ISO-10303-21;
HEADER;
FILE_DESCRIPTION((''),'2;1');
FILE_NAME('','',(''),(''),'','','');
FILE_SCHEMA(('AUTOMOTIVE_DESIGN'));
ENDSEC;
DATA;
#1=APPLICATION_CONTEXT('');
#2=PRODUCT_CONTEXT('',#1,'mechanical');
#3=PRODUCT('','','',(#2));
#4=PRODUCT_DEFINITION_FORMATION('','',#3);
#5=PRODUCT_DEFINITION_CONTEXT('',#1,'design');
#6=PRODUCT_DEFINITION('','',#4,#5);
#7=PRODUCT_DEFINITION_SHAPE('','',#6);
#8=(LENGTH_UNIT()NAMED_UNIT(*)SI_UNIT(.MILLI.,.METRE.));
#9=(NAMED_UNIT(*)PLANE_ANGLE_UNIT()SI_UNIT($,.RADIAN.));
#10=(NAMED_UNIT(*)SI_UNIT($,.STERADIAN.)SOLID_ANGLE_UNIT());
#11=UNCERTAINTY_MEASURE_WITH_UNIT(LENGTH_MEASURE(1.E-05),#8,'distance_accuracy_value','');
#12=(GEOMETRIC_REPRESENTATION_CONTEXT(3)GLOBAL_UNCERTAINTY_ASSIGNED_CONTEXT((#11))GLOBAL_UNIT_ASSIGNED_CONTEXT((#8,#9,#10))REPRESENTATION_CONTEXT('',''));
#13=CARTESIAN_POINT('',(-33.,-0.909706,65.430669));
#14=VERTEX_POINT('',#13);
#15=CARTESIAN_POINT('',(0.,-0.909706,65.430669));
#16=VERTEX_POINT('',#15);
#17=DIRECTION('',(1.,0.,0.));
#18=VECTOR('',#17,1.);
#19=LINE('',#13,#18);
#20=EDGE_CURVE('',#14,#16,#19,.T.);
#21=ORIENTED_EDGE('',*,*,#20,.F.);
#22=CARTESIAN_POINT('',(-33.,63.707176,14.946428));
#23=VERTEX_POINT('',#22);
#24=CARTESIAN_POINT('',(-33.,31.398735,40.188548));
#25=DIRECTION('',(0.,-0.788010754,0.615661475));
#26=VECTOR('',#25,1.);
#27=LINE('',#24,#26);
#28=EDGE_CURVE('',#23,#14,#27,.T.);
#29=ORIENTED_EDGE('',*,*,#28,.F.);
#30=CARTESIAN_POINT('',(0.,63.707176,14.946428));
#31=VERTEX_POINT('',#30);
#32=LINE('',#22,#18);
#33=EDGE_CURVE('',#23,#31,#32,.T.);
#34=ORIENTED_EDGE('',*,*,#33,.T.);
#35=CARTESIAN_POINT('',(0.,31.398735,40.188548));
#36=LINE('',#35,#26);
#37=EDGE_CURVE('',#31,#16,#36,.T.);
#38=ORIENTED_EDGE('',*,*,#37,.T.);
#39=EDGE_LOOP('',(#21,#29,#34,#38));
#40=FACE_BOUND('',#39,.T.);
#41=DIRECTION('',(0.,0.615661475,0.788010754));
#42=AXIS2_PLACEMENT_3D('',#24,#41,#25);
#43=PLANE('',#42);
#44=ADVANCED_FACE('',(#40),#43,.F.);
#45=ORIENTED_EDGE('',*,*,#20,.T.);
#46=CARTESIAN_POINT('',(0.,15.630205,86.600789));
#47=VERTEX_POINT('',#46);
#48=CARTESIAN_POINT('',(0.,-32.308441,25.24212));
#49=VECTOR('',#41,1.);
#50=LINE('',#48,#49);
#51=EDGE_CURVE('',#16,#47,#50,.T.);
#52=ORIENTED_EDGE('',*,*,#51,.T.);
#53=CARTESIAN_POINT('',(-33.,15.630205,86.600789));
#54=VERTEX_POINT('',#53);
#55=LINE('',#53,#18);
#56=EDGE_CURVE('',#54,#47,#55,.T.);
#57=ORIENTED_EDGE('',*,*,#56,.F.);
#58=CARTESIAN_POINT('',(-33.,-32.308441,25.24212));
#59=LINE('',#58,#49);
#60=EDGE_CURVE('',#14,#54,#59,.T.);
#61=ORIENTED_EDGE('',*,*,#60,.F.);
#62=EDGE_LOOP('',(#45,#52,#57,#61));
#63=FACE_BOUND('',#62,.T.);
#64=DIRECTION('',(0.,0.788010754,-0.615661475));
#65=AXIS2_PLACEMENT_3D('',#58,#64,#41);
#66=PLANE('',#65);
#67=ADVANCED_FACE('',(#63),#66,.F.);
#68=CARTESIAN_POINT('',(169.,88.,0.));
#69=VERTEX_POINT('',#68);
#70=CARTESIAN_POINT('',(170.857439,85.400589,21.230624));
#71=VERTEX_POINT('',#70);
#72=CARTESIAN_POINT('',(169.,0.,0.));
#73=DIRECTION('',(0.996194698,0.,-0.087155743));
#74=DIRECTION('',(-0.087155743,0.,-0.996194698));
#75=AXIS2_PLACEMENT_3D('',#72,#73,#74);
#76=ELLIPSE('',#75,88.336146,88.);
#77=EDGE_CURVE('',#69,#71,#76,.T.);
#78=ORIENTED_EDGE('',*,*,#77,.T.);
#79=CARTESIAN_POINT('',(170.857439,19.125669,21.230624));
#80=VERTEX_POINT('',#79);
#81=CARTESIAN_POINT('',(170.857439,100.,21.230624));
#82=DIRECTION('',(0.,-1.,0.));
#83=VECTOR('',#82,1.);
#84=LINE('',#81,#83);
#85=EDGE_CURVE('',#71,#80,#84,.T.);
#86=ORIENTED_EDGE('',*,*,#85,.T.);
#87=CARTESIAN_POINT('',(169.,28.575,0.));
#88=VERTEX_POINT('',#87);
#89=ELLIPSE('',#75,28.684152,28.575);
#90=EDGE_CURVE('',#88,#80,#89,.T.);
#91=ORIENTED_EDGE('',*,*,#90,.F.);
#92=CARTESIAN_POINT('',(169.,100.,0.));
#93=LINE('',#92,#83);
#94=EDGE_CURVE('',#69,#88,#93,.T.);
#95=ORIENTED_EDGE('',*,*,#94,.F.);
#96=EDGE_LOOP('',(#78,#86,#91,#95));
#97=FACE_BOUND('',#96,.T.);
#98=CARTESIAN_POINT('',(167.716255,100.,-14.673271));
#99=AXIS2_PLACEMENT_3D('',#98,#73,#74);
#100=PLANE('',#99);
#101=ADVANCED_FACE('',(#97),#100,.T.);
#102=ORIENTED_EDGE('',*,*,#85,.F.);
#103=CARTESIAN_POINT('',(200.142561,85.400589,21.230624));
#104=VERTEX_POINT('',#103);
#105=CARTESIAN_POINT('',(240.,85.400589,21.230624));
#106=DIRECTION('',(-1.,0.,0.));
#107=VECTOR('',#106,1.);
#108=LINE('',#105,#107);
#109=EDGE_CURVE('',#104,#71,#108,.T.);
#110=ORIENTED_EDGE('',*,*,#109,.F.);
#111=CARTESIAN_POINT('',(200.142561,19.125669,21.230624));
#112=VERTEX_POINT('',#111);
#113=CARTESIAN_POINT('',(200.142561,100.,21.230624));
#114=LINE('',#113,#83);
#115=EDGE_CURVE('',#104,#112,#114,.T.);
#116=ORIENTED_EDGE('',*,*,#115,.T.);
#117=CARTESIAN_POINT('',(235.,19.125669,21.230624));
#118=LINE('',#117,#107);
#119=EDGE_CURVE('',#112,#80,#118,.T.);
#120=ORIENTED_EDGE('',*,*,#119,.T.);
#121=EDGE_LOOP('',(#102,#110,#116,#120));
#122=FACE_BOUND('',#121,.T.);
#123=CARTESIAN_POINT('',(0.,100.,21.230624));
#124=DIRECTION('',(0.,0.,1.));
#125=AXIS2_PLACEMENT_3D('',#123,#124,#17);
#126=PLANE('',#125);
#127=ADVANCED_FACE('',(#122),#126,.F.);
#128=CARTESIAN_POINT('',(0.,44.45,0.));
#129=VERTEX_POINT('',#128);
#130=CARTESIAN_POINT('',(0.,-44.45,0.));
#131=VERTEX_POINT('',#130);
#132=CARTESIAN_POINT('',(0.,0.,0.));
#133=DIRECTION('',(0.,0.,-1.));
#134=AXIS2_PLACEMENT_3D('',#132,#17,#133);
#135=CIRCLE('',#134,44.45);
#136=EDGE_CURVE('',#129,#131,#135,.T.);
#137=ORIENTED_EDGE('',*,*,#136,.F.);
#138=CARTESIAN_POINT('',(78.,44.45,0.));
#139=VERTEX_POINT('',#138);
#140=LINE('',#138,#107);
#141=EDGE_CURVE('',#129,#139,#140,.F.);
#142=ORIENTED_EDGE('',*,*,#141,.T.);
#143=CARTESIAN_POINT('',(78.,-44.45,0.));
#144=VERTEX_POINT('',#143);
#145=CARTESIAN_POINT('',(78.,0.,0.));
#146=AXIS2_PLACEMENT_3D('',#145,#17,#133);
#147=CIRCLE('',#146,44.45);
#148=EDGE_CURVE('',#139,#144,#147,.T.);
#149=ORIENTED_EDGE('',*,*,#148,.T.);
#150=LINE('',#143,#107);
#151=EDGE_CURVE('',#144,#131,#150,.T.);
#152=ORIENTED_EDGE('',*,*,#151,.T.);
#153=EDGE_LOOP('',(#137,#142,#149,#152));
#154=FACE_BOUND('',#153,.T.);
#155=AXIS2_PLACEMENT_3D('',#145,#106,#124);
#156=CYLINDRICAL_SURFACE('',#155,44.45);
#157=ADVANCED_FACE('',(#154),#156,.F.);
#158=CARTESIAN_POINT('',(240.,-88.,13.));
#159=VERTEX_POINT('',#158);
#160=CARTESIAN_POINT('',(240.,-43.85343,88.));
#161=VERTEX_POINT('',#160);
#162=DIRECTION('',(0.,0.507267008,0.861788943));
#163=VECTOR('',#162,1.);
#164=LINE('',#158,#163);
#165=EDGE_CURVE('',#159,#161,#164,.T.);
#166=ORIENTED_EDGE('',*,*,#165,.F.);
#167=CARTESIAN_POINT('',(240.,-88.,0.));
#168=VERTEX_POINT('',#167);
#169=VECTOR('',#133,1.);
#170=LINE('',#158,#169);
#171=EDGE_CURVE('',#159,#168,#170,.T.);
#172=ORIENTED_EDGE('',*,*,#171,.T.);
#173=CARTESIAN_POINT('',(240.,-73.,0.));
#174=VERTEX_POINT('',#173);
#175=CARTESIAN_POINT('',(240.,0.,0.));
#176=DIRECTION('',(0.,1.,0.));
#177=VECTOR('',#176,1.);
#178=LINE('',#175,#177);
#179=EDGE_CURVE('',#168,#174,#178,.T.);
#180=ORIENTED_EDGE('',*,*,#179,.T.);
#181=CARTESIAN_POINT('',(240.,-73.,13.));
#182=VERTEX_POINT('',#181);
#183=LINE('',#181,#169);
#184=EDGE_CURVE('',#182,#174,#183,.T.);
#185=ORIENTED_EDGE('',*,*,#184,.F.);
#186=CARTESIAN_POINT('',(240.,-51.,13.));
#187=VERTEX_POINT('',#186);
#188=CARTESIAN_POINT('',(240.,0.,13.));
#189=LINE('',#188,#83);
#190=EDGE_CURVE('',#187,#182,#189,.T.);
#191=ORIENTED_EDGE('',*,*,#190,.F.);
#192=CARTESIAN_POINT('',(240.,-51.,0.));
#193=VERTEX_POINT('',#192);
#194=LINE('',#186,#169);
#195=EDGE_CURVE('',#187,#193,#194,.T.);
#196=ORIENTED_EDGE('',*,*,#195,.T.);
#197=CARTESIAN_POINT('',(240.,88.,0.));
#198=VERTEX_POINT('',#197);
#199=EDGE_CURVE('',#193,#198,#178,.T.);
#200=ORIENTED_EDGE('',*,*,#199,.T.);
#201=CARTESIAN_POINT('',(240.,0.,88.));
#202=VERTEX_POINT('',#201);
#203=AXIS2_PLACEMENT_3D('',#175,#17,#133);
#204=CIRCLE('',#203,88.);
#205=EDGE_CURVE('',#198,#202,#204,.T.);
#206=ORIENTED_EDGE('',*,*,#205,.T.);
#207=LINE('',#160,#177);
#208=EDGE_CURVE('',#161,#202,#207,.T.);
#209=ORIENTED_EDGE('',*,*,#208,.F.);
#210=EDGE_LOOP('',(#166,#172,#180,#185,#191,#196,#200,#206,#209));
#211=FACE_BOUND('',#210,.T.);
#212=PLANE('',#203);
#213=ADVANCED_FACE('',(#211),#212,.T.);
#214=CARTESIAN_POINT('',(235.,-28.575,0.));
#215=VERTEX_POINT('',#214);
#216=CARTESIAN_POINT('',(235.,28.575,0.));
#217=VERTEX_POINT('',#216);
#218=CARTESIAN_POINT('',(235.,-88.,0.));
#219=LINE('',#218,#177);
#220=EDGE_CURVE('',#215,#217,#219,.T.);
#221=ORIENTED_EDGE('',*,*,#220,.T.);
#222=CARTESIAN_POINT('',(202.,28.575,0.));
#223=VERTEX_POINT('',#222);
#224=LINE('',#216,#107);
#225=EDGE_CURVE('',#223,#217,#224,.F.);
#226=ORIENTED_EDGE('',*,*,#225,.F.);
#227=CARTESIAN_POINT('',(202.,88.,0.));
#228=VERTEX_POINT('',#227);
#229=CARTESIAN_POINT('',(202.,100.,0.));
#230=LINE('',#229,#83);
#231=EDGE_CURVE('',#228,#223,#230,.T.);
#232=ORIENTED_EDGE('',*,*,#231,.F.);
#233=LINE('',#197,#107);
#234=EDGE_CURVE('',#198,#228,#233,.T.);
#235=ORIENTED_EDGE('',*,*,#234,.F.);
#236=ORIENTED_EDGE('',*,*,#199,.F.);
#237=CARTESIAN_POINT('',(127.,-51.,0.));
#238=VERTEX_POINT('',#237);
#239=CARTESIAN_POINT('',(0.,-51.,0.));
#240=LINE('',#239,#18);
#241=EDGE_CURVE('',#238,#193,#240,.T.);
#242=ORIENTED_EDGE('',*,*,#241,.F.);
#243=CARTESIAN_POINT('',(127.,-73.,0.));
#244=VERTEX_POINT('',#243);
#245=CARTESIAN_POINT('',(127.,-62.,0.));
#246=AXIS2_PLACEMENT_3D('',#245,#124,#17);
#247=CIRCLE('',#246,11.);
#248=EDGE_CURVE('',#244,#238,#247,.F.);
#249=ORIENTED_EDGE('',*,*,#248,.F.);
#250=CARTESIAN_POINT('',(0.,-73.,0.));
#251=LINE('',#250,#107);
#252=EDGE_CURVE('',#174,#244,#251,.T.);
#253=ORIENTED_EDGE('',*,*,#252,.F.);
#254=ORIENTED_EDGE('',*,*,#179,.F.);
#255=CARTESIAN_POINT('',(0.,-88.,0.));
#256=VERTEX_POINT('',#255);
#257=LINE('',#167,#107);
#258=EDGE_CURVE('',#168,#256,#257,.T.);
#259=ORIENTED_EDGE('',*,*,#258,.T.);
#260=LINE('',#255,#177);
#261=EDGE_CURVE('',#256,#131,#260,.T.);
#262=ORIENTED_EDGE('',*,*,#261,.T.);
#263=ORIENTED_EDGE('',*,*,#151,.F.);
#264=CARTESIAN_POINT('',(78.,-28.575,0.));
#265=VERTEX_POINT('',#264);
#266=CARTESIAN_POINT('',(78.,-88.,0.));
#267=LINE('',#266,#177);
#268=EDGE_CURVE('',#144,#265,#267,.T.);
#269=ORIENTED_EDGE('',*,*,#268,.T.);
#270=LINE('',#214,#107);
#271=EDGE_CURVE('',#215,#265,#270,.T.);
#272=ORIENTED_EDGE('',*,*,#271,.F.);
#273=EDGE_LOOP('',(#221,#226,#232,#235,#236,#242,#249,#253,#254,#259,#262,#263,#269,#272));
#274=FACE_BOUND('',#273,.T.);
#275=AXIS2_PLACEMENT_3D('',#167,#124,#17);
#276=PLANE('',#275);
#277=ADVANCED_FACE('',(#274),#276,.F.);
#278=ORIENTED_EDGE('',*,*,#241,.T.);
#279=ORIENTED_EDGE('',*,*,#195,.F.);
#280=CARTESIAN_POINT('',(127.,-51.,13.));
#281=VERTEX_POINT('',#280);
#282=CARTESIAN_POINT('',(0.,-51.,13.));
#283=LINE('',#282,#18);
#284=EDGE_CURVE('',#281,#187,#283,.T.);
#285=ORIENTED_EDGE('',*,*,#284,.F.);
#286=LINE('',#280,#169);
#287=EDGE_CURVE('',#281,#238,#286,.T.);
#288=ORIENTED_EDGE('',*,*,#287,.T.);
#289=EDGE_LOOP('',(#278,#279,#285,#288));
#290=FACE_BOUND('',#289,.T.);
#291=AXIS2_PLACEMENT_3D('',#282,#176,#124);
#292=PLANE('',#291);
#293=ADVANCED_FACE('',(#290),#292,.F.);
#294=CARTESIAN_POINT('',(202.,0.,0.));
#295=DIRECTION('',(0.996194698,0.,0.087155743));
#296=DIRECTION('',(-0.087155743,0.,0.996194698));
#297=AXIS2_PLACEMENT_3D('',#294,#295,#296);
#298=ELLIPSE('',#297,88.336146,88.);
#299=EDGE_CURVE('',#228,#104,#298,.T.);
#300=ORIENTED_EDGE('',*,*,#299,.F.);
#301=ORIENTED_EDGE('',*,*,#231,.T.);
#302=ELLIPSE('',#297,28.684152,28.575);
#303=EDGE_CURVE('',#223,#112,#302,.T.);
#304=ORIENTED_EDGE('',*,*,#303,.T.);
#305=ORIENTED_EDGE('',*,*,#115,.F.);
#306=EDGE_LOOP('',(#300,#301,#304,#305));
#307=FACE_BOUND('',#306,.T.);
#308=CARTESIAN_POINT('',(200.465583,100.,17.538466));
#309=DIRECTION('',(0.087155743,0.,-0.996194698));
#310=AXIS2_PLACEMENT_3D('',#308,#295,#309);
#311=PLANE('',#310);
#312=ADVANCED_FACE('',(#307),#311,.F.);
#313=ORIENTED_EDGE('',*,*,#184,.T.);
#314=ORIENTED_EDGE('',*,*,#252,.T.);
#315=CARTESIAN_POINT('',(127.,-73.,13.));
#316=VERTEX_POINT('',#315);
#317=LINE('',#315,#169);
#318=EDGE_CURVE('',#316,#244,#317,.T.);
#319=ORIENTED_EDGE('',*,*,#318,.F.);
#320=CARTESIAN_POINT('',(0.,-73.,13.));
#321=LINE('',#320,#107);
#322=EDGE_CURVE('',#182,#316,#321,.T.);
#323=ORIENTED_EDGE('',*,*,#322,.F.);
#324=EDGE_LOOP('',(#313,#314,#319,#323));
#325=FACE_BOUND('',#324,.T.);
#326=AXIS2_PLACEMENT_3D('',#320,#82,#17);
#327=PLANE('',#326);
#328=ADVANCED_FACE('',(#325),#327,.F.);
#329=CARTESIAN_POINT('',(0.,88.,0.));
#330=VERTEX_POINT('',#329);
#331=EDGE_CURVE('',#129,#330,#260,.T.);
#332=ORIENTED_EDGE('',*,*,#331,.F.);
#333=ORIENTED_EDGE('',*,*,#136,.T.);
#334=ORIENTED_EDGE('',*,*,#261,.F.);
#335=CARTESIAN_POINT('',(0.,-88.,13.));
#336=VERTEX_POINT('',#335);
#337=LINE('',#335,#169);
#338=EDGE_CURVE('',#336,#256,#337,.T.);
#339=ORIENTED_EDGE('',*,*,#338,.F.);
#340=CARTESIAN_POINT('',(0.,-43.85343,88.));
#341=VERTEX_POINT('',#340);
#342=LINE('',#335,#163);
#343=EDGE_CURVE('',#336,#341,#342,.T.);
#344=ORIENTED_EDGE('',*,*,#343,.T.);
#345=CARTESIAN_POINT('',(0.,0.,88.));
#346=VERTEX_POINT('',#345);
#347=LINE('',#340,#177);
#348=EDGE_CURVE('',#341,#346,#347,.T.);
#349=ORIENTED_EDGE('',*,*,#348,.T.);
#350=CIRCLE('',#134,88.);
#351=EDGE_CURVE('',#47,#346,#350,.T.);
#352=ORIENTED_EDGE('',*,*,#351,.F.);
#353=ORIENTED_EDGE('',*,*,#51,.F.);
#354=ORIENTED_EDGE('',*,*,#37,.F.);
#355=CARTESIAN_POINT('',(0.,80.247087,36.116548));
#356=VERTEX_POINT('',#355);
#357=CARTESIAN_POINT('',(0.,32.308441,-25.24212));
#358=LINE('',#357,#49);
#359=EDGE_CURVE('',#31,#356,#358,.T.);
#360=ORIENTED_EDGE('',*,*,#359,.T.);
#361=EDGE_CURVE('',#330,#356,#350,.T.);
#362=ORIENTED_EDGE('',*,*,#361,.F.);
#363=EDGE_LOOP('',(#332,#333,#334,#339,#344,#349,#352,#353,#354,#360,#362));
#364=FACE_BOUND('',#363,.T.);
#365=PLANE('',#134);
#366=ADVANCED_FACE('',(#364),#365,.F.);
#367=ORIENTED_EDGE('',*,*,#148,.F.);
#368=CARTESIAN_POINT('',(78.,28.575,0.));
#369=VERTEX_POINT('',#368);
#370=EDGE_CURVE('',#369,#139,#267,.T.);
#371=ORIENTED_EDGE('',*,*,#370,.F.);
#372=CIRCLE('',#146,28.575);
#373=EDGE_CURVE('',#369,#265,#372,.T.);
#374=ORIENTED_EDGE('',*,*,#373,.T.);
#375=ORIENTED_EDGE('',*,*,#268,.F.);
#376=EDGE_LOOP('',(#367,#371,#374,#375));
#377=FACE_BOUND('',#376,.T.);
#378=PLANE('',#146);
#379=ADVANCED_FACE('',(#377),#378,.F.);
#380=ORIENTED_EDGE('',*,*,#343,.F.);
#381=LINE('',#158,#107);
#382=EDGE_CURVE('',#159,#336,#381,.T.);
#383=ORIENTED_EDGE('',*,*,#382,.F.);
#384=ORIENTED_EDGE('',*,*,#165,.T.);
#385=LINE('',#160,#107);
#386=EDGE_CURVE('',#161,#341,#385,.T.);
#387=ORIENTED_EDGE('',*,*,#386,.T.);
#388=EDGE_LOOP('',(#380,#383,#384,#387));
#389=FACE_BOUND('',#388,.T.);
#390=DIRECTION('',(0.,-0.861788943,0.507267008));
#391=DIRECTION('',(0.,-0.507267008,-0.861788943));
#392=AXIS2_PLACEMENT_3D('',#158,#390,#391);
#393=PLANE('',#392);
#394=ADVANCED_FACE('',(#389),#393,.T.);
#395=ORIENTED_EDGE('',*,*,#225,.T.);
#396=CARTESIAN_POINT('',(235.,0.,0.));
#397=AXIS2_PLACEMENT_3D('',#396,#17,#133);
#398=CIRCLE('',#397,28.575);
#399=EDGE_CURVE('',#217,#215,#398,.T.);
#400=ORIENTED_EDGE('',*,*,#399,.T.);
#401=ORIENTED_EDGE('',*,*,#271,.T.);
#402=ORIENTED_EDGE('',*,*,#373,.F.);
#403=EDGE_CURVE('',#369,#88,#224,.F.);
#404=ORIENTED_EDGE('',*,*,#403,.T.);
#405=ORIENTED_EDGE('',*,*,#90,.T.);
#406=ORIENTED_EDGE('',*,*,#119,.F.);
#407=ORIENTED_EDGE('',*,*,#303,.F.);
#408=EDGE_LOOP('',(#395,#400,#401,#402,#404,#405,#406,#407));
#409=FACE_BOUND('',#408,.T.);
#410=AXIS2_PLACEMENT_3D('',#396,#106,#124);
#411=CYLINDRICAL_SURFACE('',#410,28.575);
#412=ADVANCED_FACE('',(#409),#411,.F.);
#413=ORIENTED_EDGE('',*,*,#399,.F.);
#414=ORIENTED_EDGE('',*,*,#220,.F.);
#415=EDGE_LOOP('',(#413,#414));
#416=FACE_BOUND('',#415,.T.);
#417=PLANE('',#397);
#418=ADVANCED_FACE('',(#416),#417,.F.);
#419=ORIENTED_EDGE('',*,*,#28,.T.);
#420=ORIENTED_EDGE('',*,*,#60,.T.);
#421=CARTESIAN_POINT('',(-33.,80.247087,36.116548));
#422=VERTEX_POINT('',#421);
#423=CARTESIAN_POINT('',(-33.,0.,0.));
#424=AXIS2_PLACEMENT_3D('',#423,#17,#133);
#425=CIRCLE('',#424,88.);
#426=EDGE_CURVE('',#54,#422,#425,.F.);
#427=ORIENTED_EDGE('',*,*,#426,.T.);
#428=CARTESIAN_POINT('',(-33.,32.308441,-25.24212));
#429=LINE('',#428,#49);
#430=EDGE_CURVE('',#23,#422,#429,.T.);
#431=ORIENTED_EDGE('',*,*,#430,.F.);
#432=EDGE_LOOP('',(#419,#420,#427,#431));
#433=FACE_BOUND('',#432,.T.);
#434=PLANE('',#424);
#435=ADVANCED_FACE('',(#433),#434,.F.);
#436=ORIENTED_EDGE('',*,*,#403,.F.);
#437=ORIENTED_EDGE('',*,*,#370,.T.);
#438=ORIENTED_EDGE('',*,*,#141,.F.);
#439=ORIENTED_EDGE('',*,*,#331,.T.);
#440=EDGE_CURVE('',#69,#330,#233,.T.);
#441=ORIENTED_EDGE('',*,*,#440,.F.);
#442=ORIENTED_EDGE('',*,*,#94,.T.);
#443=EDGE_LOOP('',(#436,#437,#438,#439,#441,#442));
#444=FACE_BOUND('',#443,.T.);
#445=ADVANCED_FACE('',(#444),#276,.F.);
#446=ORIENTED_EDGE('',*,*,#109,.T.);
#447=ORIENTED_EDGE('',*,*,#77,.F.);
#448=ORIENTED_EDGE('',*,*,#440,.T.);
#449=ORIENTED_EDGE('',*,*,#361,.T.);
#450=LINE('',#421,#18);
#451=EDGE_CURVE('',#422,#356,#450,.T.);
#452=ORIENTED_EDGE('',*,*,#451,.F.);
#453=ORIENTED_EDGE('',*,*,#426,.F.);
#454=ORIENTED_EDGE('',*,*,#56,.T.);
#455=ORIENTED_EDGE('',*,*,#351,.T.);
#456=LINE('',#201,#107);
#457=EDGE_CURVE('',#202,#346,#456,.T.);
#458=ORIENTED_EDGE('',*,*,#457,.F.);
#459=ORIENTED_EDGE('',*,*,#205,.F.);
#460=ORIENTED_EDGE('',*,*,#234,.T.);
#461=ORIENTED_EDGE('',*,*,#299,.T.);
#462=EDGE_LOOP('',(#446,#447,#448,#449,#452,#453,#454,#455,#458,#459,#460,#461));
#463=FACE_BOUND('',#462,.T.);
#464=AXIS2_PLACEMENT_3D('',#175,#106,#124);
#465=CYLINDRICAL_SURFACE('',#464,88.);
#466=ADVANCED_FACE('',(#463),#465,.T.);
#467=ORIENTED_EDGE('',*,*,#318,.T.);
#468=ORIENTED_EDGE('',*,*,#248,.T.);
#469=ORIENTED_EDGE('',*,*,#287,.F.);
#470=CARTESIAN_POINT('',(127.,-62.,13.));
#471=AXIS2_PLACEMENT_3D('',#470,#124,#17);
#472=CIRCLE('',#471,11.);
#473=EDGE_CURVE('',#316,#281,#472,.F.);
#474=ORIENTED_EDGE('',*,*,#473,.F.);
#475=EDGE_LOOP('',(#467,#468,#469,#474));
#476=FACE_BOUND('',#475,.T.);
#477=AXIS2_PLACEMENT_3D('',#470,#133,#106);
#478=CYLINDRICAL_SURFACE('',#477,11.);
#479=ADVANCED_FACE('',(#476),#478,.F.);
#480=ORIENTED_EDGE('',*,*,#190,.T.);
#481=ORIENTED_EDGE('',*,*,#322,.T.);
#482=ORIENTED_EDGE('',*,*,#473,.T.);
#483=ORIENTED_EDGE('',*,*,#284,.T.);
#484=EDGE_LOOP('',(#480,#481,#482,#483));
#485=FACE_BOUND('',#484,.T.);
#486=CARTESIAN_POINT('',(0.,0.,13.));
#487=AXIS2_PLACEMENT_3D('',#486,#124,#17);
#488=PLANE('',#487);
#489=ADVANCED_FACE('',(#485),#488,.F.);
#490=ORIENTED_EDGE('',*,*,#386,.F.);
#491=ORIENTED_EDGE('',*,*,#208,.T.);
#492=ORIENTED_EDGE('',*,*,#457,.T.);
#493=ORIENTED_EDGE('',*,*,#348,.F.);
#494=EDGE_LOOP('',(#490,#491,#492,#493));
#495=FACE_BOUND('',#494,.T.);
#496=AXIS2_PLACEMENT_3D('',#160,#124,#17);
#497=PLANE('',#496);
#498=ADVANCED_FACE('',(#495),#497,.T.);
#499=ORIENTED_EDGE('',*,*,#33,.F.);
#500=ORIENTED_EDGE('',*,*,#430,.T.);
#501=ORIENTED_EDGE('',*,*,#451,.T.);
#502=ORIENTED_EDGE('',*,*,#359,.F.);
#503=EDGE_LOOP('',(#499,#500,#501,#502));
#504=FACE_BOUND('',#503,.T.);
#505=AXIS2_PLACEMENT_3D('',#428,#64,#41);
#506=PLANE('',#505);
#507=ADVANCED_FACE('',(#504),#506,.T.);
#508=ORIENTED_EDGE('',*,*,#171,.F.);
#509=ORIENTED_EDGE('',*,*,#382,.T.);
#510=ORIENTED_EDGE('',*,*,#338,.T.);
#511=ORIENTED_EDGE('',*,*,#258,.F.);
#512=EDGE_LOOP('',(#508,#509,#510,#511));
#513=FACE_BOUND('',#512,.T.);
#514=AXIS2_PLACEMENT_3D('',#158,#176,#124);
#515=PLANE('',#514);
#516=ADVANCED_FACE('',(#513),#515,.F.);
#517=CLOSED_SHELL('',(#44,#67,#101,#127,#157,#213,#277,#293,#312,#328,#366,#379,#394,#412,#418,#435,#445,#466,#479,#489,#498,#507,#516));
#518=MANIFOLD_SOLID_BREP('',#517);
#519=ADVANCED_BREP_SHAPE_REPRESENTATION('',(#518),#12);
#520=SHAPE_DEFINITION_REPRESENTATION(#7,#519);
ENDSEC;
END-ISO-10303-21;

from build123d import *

# Parameters (mm, degrees)
BOSS_EXTRU_1_DEPTH      = 240
ESQUISSE2_R             = 28.575
ENL_V_MAT_EXTRU_1_DEPTH = 235
ESQUISSE3_R             = 44.45
ENL_V_MAT_EXTRU_2_DEPTH = 78
ENL_V_MAT_EXTRU_4_DEPTH = 13
BOSS_EXTRU_2_START      = -33
BOSS_EXTRU_2_DEPTH      = 33
ENL_V_MAT_EXTRU_5_DEPTH = 100


with BuildPart() as part:
    # Esquisse1 → Boss.-Extru.1 (new body)
    with BuildSketch(Plane(origin=(0, 0, 0), x_dir=(0, 0, -1), z_dir=(1, 0, 0))):
        with BuildLine():
            Line((0, 0), (0, 88))
            ThreePointArc((0, 88), (-62.225396744, 62.225396744), (-88, 0))
            Line((-88, 0), (-88, -43.853430349))
            Line((-88, -43.853430349), (-13, -88))
            Line((-13, -88), (0, -88))
            Line((0, -88), (0, 0))
        make_face()
    extrude(amount=BOSS_EXTRU_1_DEPTH)

    # Esquisse2 → Enlèv. mat.-Extru.1 (cut)
    with BuildSketch(Plane(origin=(0, 0, 0), x_dir=(0, 0, -1), z_dir=(1, 0, 0))):
        Circle(ESQUISSE2_R)
    extrude(amount=ENL_V_MAT_EXTRU_1_DEPTH, mode=Mode.SUBTRACT)

    # Esquisse3 → Enlèv. mat.-Extru.2 (cut)
    with BuildSketch(Plane(origin=(0, 0, 0), x_dir=(0, 0, -1), z_dir=(1, 0, 0))):
        Circle(ESQUISSE3_R)
    extrude(amount=ENL_V_MAT_EXTRU_2_DEPTH, mode=Mode.SUBTRACT)

    # Esquisse5 → Enlèv. mat.-Extru.4 (cut)
    with BuildSketch(Plane.XY):
        with BuildLine():
            ThreePointArc((127, -73), (116, -62), (127, -51))
            Line((127, -51), (240, -51))
            Line((240, -51), (240, -73))
            Line((240, -73), (127, -73))
        make_face()
    extrude(amount=ENL_V_MAT_EXTRU_4_DEPTH, mode=Mode.SUBTRACT)

    # Esquisse6 → Boss.-Extru.2 (add)
    with BuildSketch(Plane(origin=(0, 0, 0), x_dir=(0, 0, -1), z_dir=(1, 0, 0)).offset(BOSS_EXTRU_2_START)):
        with BuildLine():
            Line((-65.430668922, -0.909705656), (-40.188548434, 31.398735242))
            Line((-40.188548434, 31.398735242), (-14.946427946, 63.707176139))
            Line((-14.946427946, 63.707176139), (-36.116548227, 80.247086827))
            ThreePointArc((-36.116548227, 80.247086827), (-69.344946317, 54.178209829), (-86.600789204, 15.630205031))
            Line((-86.600789204, 15.630205031), (-65.430668922, -0.909705656))
        make_face()
    extrude(amount=BOSS_EXTRU_2_DEPTH)

    # Esquisse7 → Enlèv. mat.-Extru.5 (cut)
    with BuildSketch(Plane(origin=(0, 0, 0), x_dir=(1, 0, 0), z_dir=(0, 1, 0))):
        Polygon((202, 0), (169, 0), (170.857438953, -21.230624387), (200.142561047, -21.230624387), align=None)
    extrude(amount=ENL_V_MAT_EXTRU_5_DEPTH, mode=Mode.SUBTRACT)


solid = part.part
